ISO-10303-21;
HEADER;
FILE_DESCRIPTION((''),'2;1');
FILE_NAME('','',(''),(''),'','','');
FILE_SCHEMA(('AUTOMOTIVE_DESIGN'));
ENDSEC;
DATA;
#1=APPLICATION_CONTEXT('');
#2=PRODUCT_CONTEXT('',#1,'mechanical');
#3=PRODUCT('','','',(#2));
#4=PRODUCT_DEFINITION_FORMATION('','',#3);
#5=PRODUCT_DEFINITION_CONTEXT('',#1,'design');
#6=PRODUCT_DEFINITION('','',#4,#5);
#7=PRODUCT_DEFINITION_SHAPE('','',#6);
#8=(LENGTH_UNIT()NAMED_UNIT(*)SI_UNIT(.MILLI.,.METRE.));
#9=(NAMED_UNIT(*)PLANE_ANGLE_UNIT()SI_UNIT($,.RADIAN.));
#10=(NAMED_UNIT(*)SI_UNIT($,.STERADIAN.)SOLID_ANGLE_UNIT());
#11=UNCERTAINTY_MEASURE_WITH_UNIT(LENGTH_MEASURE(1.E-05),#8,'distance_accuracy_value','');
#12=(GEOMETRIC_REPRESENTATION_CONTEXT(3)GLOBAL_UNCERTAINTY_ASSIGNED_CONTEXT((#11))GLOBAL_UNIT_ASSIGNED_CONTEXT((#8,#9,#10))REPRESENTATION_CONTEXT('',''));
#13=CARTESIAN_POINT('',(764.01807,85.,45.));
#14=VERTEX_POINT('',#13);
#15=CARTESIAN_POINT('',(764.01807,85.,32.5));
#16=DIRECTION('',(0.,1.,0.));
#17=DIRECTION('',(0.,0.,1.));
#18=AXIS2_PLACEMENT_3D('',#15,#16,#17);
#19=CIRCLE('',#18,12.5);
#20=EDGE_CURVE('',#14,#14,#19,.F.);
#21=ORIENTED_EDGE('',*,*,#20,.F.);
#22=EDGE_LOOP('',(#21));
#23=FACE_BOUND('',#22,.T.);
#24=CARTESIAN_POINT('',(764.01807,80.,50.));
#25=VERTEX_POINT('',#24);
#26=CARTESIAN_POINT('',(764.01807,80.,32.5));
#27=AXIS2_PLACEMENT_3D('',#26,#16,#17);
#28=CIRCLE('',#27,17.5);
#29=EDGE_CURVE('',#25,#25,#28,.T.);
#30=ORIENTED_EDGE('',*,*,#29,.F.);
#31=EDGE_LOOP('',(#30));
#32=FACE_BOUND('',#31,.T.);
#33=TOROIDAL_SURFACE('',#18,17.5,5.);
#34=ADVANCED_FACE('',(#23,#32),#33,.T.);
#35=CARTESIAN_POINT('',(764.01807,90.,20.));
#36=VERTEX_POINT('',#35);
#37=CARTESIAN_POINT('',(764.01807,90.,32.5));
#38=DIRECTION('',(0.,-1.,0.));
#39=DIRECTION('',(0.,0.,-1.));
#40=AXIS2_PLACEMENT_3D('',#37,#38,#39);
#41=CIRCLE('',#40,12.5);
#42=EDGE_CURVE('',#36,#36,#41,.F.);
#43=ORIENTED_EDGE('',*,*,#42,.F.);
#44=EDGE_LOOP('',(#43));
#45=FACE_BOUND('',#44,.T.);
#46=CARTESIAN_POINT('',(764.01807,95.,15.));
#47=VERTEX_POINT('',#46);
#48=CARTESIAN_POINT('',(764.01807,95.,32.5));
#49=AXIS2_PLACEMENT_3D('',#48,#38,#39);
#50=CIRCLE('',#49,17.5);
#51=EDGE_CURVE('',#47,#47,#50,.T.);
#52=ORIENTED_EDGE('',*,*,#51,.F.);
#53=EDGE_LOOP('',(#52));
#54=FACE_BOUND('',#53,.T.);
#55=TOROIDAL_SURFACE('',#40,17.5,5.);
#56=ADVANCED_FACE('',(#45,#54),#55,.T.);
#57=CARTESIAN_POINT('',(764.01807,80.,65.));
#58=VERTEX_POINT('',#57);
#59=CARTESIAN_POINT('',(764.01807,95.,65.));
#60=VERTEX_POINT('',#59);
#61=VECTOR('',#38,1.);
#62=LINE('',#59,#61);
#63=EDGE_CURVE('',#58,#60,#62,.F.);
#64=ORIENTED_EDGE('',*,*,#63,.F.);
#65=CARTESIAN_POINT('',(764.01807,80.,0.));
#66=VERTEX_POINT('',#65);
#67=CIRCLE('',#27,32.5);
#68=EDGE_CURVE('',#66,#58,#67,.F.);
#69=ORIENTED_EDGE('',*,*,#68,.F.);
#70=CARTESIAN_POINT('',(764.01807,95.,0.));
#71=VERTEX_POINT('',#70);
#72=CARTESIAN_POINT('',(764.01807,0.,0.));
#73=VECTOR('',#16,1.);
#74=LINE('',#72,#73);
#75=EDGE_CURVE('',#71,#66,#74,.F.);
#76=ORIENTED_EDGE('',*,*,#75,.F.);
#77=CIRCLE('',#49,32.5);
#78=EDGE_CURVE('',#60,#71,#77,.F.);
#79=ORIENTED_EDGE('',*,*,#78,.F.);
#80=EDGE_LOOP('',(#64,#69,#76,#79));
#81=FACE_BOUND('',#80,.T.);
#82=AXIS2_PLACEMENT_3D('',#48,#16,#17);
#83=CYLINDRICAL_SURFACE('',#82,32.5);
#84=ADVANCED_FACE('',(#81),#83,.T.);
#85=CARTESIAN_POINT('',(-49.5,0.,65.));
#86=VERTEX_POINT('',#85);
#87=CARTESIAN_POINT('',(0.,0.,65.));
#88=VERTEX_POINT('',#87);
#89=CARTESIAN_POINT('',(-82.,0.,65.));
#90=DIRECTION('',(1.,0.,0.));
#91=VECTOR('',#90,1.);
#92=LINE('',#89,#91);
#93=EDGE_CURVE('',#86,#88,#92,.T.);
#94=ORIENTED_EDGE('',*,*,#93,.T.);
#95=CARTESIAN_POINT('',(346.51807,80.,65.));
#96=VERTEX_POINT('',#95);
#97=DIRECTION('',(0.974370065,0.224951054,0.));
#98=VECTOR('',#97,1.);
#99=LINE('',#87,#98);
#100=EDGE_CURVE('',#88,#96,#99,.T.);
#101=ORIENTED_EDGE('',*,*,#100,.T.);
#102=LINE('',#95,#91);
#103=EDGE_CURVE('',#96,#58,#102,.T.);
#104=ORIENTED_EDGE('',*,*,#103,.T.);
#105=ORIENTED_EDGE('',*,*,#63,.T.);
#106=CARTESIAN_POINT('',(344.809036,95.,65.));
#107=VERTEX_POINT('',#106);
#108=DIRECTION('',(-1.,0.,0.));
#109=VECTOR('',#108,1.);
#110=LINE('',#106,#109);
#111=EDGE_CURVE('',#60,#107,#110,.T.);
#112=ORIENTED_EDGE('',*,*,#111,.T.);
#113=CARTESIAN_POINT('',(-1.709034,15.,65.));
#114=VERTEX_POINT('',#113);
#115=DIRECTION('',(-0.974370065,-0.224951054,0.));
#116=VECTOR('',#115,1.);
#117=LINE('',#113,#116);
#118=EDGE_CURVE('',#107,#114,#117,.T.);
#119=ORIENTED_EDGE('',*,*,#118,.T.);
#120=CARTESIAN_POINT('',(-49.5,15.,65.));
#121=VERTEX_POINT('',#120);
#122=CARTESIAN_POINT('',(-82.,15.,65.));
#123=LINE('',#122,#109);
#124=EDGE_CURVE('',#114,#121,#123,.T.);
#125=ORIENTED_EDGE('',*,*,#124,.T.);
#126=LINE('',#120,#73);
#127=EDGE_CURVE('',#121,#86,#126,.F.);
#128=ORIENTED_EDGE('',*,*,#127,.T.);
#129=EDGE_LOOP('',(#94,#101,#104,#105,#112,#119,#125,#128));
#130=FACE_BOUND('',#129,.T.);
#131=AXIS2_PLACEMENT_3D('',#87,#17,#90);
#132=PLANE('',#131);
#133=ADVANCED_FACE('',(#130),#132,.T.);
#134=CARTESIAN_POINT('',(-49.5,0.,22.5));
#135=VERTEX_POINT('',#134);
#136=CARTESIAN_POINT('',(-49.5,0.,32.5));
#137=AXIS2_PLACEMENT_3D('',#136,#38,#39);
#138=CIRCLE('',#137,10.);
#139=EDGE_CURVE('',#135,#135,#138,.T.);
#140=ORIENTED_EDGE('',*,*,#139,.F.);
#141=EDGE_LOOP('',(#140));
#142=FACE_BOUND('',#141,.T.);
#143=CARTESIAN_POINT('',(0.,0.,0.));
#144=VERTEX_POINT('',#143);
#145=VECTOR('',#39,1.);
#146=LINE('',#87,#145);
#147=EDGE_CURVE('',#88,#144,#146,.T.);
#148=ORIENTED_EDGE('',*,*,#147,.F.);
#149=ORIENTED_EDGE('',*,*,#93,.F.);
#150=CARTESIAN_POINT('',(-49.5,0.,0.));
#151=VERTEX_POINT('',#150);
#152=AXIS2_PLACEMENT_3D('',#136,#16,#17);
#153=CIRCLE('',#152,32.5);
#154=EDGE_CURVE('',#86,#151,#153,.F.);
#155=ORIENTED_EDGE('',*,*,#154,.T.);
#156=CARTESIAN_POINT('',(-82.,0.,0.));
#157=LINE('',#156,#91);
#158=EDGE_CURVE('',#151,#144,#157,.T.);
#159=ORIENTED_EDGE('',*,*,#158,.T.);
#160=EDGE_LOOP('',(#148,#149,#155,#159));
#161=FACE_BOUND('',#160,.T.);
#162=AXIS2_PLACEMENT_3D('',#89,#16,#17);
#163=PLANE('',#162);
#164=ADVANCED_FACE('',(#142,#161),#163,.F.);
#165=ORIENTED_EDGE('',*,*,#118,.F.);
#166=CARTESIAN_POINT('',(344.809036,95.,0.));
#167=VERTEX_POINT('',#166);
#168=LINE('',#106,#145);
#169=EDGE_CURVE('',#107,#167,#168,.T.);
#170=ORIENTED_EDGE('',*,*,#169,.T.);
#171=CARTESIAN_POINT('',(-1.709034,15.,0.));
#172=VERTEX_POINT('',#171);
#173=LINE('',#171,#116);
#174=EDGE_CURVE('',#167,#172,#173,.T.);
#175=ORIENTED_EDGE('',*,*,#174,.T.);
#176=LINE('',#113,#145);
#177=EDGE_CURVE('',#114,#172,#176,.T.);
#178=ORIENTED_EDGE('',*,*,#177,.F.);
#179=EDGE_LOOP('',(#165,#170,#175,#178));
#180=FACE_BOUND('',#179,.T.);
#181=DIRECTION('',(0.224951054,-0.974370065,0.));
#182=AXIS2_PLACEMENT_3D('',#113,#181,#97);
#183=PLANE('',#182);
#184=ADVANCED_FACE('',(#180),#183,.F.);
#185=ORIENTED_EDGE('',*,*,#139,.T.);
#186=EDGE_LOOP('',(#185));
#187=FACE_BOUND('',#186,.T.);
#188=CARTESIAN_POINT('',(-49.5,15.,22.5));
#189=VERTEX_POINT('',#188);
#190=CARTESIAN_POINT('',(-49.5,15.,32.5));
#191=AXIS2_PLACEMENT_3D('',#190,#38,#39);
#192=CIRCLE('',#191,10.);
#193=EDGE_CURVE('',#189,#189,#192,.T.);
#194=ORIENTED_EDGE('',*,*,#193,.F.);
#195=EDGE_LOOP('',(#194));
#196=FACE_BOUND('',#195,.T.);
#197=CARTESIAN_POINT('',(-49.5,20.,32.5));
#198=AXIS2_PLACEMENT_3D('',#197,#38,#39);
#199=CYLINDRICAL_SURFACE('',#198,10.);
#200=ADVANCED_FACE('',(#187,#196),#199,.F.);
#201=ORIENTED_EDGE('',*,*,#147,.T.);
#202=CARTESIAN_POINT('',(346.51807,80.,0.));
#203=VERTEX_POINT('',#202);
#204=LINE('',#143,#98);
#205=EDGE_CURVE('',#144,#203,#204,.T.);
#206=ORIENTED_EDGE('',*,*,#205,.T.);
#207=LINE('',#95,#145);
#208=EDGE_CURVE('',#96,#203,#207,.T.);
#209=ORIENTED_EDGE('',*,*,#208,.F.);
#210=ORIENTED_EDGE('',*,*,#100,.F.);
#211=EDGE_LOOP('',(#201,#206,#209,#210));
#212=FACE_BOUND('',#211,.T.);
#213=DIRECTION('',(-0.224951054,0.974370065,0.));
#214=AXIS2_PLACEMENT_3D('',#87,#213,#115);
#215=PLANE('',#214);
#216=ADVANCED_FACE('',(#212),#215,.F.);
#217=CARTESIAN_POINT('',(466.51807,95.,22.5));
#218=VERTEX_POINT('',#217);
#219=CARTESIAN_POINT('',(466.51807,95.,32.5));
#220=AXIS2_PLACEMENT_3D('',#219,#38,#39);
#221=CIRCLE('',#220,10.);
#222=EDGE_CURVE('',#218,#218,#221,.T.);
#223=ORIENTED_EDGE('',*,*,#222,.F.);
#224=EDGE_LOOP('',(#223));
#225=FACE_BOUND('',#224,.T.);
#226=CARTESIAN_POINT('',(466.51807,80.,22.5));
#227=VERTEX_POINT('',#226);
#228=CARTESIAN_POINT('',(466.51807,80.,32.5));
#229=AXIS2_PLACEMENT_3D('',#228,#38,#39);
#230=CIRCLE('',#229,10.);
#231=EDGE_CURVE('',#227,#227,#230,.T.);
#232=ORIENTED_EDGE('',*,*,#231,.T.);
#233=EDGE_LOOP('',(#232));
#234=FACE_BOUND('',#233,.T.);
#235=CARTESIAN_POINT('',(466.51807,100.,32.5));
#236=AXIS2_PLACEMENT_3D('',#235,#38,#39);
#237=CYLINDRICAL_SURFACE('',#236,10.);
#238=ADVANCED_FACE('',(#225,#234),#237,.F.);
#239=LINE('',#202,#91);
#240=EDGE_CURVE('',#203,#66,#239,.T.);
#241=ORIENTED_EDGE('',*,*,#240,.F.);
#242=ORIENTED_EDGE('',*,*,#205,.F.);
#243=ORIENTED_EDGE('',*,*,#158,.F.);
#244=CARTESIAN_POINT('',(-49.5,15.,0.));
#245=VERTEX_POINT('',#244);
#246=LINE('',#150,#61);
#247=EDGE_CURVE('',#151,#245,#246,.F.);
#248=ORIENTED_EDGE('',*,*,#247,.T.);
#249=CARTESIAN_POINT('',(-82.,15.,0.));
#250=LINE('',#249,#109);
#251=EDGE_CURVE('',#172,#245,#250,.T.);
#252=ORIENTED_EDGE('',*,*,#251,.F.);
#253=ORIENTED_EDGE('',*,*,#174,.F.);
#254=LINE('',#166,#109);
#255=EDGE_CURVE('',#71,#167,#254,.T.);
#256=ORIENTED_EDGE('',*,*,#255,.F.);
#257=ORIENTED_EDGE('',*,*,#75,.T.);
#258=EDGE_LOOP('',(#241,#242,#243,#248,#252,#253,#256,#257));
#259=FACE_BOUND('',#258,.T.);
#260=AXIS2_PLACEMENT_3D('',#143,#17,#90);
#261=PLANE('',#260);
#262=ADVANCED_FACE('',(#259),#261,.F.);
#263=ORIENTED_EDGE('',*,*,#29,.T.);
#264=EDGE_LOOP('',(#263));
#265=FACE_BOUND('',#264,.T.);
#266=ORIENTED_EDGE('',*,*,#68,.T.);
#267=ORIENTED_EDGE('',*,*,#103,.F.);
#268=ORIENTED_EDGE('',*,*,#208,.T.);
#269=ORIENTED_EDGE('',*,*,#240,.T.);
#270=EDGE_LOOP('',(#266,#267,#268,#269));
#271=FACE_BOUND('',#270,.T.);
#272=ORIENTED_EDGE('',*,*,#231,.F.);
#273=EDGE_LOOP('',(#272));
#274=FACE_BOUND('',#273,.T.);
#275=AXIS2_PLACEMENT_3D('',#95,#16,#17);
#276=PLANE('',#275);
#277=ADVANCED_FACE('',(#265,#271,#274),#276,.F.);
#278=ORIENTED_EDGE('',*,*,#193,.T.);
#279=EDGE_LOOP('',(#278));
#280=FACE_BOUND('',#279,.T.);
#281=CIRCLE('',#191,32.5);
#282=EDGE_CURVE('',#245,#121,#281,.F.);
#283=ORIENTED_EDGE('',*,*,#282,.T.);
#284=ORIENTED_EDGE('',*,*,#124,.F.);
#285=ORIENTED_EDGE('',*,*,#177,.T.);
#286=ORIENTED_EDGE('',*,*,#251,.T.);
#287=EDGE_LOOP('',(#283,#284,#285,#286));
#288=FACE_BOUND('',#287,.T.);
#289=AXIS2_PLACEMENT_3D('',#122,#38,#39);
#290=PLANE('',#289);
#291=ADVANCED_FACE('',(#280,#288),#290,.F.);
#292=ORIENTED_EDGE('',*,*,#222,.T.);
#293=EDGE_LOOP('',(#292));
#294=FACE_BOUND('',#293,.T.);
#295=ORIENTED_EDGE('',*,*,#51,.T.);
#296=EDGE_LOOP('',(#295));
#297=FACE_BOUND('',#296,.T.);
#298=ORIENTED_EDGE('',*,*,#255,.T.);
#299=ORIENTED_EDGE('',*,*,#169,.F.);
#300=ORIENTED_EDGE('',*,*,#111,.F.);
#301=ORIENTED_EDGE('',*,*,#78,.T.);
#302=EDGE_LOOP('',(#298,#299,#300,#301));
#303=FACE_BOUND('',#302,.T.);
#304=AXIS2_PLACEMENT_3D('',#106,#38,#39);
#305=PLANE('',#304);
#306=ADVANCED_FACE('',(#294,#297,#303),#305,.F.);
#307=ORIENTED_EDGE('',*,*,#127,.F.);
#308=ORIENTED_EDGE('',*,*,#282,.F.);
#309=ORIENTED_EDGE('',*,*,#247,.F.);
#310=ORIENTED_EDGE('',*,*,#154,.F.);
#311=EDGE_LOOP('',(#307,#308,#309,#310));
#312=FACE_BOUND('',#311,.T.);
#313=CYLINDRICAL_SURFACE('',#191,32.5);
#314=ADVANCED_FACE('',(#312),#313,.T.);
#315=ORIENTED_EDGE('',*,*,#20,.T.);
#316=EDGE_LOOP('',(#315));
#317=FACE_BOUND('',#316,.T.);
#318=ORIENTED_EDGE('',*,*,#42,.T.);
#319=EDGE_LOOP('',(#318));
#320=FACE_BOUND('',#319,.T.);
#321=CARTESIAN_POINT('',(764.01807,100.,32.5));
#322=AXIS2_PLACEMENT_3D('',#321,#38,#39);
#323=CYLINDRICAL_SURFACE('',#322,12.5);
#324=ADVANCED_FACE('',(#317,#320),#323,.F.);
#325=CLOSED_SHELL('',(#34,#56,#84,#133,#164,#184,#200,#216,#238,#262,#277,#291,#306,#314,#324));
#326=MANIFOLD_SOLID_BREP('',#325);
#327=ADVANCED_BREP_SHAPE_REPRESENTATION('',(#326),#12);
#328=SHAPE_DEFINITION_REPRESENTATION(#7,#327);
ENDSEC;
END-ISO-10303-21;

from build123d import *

# Parameters (mm, degrees)
BOSS_EXTRUDE1_DEPTH = 65
FILLET1_RADIUS      = 32.5
FILLET1_LENGTH      = 15
FILLET2_RADIUS      = 32.5
FILLET2_LENGTH      = 15
SKETCH3_R           = 10
CUT_EXTRUDE1_DEPTH  = 20
SKETCH4_R           = 10
CUT_EXTRUDE2_DEPTH  = 20
SKETCH5_R           = 12.5
CUT_EXTRUDE3_DEPTH  = 20
FILLET3_R           = 5


with BuildPart() as part:
    # Sketch1 → Boss-Extrude1 (new body)
    with BuildSketch(Plane.XY):
        Polygon((-82, 0), (0, 0), (346.518069943, 80), (796.518069943, 80), (796.518069943, 95), (344.809035818, 95), (-1.709034125, 15), (-82, 15), align=None)
    extrude(amount=BOSS_EXTRUDE1_DEPTH)

    # Fillet1: full round fillet: the end face becomes a half cylinder, R = half its width
    fillet1_face = Plane((-82, 7.5, 32.5), x_dir=(0, -1, 0), z_dir=(-1, 0, 0))  # on the end face: x along it, z out of the body
    fillet1_slab = fillet1_face.offset(-FILLET1_RADIUS / 2) * Box(FILLET1_LENGTH, 2 * FILLET1_RADIUS, FILLET1_RADIUS, mode=Mode.PRIVATE)  # the body's end, R deep
    fillet1_round = Plane((-49.5, 7.5, 32.5), x_dir=(-1, 0, 0), z_dir=(0, -1, 0)) * Cylinder(FILLET1_RADIUS, FILLET1_LENGTH, mode=Mode.PRIVATE)  # its axis R under the face
    add(fillet1_slab - fillet1_round, mode=Mode.SUBTRACT)

    # Fillet2: full round fillet: the end face becomes a half cylinder, R = half its width
    fillet2_face = Plane((796.518069943, 87.5, 32.5), x_dir=(0, -1, 0), z_dir=(1, 0, 0))  # on the end face: x along it, z out of the body
    fillet2_slab = fillet2_face.offset(-FILLET2_RADIUS / 2) * Box(FILLET2_LENGTH, 2 * FILLET2_RADIUS, FILLET2_RADIUS, mode=Mode.PRIVATE)  # the body's end, R deep
    fillet2_round = Plane((764.018069943, 87.5, 32.5), x_dir=(1, 0, 0), z_dir=(0, -1, 0)) * Cylinder(FILLET2_RADIUS, FILLET2_LENGTH, mode=Mode.PRIVATE)  # its axis R under the face
    add(fillet2_slab - fillet2_round, mode=Mode.SUBTRACT)

    # Sketch3 → Cut-Extrude1 (cut)
    with BuildSketch(Plane.XZ.offset(-80)):
        with Locations(Location((466.518069943, 32.5, 0), (0, 0, 270))):
            Circle(SKETCH3_R)
    extrude(amount=-CUT_EXTRUDE1_DEPTH, mode=Mode.SUBTRACT)

    # Sketch4 → Cut-Extrude2 (cut)
    with BuildSketch(Plane.XZ):
        with Locations(Location((-49.5, 32.5, 0), (0, 0, 270))):
            Circle(SKETCH4_R)
    extrude(amount=-CUT_EXTRUDE2_DEPTH, mode=Mode.SUBTRACT)

    # Sketch5 → Cut-Extrude3 (cut)
    with BuildSketch(Plane.XZ.offset(-80)):
        with Locations(Location((764.018069943, 32.5, 0), (0, 0, 270))):
            Circle(SKETCH5_R)
    extrude(amount=-CUT_EXTRUDE3_DEPTH, mode=Mode.SUBTRACT)

    # Fillet3
    fillet3_edges = [part.edges().sort_by_distance(p)[0] for p in [
        (764.018069943, 95, 45),
        (764.018069943, 80, 45),
    ]]
    fillet(fillet3_edges, radius=FILLET3_R)


solid = part.part
